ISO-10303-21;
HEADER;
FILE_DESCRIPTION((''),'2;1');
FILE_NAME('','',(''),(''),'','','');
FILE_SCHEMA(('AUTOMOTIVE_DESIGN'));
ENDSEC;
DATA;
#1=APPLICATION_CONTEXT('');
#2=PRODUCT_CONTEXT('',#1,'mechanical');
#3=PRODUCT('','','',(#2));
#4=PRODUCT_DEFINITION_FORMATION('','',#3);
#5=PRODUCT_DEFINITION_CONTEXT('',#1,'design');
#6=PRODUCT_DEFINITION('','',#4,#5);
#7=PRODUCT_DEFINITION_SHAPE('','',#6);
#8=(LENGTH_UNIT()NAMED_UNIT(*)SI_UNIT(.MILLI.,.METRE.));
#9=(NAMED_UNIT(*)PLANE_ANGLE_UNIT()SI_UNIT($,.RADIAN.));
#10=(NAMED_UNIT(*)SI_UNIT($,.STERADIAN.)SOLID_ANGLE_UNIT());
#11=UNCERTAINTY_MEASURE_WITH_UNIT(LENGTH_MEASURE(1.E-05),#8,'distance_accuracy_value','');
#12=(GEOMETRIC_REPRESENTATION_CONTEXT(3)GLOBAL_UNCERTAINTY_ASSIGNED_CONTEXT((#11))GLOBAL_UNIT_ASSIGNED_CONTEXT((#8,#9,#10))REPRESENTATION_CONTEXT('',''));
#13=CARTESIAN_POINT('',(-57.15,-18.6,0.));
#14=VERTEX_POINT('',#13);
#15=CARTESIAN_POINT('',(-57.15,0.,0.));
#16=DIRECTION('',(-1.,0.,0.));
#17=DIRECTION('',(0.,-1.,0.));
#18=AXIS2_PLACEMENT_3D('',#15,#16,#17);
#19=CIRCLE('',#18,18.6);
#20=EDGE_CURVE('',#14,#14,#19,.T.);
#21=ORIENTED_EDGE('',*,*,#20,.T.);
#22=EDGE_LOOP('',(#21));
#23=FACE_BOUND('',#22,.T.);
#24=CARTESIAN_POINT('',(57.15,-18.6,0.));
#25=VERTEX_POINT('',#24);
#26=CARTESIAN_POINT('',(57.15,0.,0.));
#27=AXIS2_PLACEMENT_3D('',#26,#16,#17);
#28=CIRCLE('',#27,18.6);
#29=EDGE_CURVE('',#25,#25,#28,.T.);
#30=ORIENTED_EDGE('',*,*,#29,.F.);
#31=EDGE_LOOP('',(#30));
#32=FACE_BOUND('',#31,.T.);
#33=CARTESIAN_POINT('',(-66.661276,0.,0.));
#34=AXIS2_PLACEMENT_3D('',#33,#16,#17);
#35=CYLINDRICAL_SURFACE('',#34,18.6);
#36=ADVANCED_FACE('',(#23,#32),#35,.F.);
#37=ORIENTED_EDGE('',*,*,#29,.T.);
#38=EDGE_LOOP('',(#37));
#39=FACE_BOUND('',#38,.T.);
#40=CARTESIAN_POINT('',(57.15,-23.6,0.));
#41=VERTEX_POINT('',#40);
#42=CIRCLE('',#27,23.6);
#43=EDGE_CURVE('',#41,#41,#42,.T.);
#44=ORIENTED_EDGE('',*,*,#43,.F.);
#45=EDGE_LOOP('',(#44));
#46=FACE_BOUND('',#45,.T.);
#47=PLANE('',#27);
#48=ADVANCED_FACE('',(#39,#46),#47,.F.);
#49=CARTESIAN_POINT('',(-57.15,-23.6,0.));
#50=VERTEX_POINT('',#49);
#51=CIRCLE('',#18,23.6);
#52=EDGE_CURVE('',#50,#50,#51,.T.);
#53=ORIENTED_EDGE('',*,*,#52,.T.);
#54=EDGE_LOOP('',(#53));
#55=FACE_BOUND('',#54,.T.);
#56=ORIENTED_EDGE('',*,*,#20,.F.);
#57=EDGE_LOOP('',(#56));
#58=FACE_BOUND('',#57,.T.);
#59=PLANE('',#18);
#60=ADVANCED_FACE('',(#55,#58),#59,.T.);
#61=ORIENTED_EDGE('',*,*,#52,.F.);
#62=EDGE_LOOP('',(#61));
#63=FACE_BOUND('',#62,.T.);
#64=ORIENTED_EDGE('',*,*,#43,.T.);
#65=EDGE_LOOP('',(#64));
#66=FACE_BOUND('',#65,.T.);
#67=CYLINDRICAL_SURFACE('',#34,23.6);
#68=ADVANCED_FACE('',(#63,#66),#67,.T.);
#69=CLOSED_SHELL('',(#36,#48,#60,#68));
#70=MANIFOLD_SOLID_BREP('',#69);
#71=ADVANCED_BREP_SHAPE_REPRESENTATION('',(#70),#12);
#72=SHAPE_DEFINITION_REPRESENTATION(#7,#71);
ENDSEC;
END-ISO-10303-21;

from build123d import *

# Parameters (mm, degrees)
SCHIZZO1_W = 114.3
SCHIZZO1_H = 5


with BuildPart() as part:
    # Schizzo1 → Rivoluzione1 (revolve)
    with BuildSketch(Plane.XY, mode=Mode.PRIVATE) as rivoluzione1_sk:
        with Locations((0, 21.1)):
            Rectangle(SCHIZZO1_W, SCHIZZO1_H)
    revolve(rivoluzione1_sk.sketch.rotate(Axis((-66.661276064, 0, 0), (1, 0, 0)), 180), axis=Axis((-66.661276064, 0, 0), (1, 0, 0)))


solid = part.part
